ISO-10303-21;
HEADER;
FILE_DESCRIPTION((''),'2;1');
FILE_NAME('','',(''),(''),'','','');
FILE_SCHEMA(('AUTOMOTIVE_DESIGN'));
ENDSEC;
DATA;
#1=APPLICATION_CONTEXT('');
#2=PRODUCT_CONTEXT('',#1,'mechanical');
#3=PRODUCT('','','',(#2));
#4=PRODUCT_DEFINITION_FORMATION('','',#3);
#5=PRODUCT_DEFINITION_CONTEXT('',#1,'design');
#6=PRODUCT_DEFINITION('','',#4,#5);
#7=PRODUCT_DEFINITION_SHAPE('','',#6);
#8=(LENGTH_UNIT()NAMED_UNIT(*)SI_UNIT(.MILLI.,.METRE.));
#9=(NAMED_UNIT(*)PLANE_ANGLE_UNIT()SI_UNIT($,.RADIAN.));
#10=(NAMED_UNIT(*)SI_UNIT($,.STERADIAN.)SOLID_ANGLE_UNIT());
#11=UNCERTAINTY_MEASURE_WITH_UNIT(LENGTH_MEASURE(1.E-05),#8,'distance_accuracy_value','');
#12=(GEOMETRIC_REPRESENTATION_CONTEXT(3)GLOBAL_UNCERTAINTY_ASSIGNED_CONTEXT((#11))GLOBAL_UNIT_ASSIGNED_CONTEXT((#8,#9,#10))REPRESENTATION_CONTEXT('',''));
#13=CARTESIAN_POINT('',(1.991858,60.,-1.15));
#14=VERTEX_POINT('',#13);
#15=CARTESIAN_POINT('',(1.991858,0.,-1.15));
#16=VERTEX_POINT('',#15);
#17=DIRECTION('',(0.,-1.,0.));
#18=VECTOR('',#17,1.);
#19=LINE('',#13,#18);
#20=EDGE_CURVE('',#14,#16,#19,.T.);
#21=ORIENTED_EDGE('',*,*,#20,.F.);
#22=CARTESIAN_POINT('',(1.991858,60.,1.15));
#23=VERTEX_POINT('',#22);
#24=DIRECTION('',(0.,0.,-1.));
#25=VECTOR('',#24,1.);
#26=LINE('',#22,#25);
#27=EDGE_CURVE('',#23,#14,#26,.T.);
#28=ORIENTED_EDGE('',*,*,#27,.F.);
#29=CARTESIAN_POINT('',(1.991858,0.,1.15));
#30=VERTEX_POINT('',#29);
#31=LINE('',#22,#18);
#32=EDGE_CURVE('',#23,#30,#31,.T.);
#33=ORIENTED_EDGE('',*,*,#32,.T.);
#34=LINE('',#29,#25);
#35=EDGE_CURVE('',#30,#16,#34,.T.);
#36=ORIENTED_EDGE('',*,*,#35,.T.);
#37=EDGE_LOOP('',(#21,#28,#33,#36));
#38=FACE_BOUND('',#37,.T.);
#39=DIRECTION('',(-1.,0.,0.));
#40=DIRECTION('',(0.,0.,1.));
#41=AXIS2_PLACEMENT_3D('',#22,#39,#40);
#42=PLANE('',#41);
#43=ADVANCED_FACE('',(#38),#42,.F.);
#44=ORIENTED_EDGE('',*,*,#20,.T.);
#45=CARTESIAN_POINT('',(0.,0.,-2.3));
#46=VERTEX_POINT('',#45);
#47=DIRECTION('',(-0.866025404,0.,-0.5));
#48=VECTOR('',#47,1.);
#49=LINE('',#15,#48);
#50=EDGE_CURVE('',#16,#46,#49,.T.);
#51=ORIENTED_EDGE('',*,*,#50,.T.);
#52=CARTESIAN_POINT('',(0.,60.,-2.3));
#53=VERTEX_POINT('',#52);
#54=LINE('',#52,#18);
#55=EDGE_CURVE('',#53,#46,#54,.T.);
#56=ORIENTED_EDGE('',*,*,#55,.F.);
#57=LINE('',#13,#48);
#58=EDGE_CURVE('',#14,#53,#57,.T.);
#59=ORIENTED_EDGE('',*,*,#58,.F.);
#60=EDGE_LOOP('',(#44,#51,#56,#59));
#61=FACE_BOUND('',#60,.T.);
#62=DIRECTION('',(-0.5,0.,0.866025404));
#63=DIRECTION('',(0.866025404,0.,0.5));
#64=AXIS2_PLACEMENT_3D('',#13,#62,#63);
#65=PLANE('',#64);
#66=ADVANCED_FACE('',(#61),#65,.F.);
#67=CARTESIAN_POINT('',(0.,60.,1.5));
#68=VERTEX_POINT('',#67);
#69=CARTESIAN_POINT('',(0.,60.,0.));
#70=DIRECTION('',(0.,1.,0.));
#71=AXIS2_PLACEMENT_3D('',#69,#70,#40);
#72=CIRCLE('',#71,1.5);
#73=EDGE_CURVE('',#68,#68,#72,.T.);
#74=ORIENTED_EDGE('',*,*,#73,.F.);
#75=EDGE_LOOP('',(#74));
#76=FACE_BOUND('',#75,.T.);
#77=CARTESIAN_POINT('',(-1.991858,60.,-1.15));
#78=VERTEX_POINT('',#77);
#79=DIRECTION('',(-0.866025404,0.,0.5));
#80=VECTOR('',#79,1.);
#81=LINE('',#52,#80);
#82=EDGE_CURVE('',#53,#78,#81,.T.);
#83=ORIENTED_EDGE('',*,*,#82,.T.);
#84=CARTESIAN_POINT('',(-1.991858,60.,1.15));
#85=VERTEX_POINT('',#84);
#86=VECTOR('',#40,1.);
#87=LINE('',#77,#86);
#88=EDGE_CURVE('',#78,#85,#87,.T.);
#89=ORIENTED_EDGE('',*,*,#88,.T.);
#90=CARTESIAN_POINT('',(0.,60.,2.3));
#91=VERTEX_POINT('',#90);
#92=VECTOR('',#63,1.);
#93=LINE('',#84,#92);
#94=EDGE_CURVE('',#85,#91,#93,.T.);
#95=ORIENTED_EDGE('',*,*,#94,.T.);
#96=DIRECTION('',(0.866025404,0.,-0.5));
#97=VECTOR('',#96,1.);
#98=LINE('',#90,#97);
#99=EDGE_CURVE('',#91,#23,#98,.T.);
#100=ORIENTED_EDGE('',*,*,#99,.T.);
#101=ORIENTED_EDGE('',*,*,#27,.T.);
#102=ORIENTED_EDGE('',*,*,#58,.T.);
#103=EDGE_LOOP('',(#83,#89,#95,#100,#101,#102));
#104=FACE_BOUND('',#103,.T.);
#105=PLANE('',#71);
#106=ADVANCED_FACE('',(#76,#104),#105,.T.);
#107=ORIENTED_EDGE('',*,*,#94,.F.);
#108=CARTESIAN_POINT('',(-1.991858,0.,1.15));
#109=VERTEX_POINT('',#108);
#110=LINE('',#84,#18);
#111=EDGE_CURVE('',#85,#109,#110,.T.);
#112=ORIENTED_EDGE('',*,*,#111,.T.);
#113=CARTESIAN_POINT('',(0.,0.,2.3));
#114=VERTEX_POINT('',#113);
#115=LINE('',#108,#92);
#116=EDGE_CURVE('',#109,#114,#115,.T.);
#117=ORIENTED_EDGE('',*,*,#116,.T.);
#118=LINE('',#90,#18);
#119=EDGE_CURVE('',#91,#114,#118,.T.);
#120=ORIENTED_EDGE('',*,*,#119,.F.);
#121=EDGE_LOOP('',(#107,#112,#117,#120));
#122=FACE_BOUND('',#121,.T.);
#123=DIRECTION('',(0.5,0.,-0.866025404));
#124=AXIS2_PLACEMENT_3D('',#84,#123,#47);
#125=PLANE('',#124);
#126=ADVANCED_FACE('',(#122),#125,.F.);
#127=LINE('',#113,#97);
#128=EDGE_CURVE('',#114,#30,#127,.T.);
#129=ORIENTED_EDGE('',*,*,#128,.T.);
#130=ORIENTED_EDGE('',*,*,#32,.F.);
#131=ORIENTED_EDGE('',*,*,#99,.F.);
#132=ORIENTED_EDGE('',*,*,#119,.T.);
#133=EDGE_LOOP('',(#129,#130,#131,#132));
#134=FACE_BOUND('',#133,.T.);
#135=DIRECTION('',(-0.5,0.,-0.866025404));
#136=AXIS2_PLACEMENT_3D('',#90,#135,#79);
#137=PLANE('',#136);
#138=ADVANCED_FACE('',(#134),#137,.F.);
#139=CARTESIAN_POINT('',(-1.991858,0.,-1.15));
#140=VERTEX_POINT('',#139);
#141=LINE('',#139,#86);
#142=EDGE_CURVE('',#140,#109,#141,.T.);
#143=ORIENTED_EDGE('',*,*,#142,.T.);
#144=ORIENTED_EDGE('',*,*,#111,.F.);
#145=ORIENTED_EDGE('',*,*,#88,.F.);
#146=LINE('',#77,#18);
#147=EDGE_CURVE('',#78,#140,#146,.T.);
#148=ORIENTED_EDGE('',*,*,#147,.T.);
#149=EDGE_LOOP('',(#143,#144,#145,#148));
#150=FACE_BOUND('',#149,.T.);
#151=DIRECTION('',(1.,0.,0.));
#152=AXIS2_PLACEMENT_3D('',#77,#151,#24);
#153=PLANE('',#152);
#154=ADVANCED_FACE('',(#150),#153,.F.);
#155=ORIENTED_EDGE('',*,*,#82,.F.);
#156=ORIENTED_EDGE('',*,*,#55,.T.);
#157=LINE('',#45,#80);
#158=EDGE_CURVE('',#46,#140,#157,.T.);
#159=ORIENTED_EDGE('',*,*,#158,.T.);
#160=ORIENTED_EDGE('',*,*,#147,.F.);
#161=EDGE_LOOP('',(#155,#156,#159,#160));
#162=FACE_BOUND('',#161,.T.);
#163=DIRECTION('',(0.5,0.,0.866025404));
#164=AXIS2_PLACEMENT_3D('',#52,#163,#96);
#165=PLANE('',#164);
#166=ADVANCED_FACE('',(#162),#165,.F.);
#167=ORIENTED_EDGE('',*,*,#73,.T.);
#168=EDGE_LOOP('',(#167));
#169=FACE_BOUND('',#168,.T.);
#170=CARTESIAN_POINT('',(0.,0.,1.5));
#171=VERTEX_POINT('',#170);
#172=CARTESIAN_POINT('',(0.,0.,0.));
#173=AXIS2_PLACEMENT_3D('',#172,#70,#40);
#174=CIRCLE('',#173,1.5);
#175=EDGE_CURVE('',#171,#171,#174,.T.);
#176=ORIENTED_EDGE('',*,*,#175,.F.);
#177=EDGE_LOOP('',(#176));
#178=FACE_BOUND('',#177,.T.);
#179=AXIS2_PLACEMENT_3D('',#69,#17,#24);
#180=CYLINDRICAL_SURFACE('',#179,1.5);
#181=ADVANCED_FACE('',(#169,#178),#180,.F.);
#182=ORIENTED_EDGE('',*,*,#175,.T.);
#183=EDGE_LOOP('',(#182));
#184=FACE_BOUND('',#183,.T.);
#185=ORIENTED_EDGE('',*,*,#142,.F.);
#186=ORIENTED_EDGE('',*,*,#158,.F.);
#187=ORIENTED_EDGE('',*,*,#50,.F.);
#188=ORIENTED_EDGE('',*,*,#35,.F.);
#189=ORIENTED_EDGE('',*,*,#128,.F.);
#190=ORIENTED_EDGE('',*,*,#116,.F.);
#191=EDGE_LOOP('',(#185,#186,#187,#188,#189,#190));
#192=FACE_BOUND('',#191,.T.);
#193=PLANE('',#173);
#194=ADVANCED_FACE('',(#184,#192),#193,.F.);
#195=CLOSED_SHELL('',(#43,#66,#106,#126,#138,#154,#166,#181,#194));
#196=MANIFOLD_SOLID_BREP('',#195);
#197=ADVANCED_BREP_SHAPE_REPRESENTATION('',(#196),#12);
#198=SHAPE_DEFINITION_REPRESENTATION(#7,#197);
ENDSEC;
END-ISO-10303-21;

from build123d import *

# Parameters (mm, degrees)
SKETCH_1_R      = 1.5
EXTRUDE_1_DEPTH = 60


with BuildPart() as part:
    # 草图1 → 凸台-拉伸1 (new body)
    with BuildSketch(Plane(origin=(0, 0, 0), x_dir=(1, 0, 0), z_dir=(0, 1, 0))):
        Polygon((0, 2.3), (-1.991858429, 1.15), (-1.991858429, -1.15), (0, -2.3), (1.991858429, -1.15), (1.991858429, 1.15), align=None)
        with Locations(Location((0, 0, 0), (0, 0, 270))):
            Circle(SKETCH_1_R, mode=Mode.SUBTRACT)
    extrude(amount=EXTRUDE_1_DEPTH)


solid = part.part
